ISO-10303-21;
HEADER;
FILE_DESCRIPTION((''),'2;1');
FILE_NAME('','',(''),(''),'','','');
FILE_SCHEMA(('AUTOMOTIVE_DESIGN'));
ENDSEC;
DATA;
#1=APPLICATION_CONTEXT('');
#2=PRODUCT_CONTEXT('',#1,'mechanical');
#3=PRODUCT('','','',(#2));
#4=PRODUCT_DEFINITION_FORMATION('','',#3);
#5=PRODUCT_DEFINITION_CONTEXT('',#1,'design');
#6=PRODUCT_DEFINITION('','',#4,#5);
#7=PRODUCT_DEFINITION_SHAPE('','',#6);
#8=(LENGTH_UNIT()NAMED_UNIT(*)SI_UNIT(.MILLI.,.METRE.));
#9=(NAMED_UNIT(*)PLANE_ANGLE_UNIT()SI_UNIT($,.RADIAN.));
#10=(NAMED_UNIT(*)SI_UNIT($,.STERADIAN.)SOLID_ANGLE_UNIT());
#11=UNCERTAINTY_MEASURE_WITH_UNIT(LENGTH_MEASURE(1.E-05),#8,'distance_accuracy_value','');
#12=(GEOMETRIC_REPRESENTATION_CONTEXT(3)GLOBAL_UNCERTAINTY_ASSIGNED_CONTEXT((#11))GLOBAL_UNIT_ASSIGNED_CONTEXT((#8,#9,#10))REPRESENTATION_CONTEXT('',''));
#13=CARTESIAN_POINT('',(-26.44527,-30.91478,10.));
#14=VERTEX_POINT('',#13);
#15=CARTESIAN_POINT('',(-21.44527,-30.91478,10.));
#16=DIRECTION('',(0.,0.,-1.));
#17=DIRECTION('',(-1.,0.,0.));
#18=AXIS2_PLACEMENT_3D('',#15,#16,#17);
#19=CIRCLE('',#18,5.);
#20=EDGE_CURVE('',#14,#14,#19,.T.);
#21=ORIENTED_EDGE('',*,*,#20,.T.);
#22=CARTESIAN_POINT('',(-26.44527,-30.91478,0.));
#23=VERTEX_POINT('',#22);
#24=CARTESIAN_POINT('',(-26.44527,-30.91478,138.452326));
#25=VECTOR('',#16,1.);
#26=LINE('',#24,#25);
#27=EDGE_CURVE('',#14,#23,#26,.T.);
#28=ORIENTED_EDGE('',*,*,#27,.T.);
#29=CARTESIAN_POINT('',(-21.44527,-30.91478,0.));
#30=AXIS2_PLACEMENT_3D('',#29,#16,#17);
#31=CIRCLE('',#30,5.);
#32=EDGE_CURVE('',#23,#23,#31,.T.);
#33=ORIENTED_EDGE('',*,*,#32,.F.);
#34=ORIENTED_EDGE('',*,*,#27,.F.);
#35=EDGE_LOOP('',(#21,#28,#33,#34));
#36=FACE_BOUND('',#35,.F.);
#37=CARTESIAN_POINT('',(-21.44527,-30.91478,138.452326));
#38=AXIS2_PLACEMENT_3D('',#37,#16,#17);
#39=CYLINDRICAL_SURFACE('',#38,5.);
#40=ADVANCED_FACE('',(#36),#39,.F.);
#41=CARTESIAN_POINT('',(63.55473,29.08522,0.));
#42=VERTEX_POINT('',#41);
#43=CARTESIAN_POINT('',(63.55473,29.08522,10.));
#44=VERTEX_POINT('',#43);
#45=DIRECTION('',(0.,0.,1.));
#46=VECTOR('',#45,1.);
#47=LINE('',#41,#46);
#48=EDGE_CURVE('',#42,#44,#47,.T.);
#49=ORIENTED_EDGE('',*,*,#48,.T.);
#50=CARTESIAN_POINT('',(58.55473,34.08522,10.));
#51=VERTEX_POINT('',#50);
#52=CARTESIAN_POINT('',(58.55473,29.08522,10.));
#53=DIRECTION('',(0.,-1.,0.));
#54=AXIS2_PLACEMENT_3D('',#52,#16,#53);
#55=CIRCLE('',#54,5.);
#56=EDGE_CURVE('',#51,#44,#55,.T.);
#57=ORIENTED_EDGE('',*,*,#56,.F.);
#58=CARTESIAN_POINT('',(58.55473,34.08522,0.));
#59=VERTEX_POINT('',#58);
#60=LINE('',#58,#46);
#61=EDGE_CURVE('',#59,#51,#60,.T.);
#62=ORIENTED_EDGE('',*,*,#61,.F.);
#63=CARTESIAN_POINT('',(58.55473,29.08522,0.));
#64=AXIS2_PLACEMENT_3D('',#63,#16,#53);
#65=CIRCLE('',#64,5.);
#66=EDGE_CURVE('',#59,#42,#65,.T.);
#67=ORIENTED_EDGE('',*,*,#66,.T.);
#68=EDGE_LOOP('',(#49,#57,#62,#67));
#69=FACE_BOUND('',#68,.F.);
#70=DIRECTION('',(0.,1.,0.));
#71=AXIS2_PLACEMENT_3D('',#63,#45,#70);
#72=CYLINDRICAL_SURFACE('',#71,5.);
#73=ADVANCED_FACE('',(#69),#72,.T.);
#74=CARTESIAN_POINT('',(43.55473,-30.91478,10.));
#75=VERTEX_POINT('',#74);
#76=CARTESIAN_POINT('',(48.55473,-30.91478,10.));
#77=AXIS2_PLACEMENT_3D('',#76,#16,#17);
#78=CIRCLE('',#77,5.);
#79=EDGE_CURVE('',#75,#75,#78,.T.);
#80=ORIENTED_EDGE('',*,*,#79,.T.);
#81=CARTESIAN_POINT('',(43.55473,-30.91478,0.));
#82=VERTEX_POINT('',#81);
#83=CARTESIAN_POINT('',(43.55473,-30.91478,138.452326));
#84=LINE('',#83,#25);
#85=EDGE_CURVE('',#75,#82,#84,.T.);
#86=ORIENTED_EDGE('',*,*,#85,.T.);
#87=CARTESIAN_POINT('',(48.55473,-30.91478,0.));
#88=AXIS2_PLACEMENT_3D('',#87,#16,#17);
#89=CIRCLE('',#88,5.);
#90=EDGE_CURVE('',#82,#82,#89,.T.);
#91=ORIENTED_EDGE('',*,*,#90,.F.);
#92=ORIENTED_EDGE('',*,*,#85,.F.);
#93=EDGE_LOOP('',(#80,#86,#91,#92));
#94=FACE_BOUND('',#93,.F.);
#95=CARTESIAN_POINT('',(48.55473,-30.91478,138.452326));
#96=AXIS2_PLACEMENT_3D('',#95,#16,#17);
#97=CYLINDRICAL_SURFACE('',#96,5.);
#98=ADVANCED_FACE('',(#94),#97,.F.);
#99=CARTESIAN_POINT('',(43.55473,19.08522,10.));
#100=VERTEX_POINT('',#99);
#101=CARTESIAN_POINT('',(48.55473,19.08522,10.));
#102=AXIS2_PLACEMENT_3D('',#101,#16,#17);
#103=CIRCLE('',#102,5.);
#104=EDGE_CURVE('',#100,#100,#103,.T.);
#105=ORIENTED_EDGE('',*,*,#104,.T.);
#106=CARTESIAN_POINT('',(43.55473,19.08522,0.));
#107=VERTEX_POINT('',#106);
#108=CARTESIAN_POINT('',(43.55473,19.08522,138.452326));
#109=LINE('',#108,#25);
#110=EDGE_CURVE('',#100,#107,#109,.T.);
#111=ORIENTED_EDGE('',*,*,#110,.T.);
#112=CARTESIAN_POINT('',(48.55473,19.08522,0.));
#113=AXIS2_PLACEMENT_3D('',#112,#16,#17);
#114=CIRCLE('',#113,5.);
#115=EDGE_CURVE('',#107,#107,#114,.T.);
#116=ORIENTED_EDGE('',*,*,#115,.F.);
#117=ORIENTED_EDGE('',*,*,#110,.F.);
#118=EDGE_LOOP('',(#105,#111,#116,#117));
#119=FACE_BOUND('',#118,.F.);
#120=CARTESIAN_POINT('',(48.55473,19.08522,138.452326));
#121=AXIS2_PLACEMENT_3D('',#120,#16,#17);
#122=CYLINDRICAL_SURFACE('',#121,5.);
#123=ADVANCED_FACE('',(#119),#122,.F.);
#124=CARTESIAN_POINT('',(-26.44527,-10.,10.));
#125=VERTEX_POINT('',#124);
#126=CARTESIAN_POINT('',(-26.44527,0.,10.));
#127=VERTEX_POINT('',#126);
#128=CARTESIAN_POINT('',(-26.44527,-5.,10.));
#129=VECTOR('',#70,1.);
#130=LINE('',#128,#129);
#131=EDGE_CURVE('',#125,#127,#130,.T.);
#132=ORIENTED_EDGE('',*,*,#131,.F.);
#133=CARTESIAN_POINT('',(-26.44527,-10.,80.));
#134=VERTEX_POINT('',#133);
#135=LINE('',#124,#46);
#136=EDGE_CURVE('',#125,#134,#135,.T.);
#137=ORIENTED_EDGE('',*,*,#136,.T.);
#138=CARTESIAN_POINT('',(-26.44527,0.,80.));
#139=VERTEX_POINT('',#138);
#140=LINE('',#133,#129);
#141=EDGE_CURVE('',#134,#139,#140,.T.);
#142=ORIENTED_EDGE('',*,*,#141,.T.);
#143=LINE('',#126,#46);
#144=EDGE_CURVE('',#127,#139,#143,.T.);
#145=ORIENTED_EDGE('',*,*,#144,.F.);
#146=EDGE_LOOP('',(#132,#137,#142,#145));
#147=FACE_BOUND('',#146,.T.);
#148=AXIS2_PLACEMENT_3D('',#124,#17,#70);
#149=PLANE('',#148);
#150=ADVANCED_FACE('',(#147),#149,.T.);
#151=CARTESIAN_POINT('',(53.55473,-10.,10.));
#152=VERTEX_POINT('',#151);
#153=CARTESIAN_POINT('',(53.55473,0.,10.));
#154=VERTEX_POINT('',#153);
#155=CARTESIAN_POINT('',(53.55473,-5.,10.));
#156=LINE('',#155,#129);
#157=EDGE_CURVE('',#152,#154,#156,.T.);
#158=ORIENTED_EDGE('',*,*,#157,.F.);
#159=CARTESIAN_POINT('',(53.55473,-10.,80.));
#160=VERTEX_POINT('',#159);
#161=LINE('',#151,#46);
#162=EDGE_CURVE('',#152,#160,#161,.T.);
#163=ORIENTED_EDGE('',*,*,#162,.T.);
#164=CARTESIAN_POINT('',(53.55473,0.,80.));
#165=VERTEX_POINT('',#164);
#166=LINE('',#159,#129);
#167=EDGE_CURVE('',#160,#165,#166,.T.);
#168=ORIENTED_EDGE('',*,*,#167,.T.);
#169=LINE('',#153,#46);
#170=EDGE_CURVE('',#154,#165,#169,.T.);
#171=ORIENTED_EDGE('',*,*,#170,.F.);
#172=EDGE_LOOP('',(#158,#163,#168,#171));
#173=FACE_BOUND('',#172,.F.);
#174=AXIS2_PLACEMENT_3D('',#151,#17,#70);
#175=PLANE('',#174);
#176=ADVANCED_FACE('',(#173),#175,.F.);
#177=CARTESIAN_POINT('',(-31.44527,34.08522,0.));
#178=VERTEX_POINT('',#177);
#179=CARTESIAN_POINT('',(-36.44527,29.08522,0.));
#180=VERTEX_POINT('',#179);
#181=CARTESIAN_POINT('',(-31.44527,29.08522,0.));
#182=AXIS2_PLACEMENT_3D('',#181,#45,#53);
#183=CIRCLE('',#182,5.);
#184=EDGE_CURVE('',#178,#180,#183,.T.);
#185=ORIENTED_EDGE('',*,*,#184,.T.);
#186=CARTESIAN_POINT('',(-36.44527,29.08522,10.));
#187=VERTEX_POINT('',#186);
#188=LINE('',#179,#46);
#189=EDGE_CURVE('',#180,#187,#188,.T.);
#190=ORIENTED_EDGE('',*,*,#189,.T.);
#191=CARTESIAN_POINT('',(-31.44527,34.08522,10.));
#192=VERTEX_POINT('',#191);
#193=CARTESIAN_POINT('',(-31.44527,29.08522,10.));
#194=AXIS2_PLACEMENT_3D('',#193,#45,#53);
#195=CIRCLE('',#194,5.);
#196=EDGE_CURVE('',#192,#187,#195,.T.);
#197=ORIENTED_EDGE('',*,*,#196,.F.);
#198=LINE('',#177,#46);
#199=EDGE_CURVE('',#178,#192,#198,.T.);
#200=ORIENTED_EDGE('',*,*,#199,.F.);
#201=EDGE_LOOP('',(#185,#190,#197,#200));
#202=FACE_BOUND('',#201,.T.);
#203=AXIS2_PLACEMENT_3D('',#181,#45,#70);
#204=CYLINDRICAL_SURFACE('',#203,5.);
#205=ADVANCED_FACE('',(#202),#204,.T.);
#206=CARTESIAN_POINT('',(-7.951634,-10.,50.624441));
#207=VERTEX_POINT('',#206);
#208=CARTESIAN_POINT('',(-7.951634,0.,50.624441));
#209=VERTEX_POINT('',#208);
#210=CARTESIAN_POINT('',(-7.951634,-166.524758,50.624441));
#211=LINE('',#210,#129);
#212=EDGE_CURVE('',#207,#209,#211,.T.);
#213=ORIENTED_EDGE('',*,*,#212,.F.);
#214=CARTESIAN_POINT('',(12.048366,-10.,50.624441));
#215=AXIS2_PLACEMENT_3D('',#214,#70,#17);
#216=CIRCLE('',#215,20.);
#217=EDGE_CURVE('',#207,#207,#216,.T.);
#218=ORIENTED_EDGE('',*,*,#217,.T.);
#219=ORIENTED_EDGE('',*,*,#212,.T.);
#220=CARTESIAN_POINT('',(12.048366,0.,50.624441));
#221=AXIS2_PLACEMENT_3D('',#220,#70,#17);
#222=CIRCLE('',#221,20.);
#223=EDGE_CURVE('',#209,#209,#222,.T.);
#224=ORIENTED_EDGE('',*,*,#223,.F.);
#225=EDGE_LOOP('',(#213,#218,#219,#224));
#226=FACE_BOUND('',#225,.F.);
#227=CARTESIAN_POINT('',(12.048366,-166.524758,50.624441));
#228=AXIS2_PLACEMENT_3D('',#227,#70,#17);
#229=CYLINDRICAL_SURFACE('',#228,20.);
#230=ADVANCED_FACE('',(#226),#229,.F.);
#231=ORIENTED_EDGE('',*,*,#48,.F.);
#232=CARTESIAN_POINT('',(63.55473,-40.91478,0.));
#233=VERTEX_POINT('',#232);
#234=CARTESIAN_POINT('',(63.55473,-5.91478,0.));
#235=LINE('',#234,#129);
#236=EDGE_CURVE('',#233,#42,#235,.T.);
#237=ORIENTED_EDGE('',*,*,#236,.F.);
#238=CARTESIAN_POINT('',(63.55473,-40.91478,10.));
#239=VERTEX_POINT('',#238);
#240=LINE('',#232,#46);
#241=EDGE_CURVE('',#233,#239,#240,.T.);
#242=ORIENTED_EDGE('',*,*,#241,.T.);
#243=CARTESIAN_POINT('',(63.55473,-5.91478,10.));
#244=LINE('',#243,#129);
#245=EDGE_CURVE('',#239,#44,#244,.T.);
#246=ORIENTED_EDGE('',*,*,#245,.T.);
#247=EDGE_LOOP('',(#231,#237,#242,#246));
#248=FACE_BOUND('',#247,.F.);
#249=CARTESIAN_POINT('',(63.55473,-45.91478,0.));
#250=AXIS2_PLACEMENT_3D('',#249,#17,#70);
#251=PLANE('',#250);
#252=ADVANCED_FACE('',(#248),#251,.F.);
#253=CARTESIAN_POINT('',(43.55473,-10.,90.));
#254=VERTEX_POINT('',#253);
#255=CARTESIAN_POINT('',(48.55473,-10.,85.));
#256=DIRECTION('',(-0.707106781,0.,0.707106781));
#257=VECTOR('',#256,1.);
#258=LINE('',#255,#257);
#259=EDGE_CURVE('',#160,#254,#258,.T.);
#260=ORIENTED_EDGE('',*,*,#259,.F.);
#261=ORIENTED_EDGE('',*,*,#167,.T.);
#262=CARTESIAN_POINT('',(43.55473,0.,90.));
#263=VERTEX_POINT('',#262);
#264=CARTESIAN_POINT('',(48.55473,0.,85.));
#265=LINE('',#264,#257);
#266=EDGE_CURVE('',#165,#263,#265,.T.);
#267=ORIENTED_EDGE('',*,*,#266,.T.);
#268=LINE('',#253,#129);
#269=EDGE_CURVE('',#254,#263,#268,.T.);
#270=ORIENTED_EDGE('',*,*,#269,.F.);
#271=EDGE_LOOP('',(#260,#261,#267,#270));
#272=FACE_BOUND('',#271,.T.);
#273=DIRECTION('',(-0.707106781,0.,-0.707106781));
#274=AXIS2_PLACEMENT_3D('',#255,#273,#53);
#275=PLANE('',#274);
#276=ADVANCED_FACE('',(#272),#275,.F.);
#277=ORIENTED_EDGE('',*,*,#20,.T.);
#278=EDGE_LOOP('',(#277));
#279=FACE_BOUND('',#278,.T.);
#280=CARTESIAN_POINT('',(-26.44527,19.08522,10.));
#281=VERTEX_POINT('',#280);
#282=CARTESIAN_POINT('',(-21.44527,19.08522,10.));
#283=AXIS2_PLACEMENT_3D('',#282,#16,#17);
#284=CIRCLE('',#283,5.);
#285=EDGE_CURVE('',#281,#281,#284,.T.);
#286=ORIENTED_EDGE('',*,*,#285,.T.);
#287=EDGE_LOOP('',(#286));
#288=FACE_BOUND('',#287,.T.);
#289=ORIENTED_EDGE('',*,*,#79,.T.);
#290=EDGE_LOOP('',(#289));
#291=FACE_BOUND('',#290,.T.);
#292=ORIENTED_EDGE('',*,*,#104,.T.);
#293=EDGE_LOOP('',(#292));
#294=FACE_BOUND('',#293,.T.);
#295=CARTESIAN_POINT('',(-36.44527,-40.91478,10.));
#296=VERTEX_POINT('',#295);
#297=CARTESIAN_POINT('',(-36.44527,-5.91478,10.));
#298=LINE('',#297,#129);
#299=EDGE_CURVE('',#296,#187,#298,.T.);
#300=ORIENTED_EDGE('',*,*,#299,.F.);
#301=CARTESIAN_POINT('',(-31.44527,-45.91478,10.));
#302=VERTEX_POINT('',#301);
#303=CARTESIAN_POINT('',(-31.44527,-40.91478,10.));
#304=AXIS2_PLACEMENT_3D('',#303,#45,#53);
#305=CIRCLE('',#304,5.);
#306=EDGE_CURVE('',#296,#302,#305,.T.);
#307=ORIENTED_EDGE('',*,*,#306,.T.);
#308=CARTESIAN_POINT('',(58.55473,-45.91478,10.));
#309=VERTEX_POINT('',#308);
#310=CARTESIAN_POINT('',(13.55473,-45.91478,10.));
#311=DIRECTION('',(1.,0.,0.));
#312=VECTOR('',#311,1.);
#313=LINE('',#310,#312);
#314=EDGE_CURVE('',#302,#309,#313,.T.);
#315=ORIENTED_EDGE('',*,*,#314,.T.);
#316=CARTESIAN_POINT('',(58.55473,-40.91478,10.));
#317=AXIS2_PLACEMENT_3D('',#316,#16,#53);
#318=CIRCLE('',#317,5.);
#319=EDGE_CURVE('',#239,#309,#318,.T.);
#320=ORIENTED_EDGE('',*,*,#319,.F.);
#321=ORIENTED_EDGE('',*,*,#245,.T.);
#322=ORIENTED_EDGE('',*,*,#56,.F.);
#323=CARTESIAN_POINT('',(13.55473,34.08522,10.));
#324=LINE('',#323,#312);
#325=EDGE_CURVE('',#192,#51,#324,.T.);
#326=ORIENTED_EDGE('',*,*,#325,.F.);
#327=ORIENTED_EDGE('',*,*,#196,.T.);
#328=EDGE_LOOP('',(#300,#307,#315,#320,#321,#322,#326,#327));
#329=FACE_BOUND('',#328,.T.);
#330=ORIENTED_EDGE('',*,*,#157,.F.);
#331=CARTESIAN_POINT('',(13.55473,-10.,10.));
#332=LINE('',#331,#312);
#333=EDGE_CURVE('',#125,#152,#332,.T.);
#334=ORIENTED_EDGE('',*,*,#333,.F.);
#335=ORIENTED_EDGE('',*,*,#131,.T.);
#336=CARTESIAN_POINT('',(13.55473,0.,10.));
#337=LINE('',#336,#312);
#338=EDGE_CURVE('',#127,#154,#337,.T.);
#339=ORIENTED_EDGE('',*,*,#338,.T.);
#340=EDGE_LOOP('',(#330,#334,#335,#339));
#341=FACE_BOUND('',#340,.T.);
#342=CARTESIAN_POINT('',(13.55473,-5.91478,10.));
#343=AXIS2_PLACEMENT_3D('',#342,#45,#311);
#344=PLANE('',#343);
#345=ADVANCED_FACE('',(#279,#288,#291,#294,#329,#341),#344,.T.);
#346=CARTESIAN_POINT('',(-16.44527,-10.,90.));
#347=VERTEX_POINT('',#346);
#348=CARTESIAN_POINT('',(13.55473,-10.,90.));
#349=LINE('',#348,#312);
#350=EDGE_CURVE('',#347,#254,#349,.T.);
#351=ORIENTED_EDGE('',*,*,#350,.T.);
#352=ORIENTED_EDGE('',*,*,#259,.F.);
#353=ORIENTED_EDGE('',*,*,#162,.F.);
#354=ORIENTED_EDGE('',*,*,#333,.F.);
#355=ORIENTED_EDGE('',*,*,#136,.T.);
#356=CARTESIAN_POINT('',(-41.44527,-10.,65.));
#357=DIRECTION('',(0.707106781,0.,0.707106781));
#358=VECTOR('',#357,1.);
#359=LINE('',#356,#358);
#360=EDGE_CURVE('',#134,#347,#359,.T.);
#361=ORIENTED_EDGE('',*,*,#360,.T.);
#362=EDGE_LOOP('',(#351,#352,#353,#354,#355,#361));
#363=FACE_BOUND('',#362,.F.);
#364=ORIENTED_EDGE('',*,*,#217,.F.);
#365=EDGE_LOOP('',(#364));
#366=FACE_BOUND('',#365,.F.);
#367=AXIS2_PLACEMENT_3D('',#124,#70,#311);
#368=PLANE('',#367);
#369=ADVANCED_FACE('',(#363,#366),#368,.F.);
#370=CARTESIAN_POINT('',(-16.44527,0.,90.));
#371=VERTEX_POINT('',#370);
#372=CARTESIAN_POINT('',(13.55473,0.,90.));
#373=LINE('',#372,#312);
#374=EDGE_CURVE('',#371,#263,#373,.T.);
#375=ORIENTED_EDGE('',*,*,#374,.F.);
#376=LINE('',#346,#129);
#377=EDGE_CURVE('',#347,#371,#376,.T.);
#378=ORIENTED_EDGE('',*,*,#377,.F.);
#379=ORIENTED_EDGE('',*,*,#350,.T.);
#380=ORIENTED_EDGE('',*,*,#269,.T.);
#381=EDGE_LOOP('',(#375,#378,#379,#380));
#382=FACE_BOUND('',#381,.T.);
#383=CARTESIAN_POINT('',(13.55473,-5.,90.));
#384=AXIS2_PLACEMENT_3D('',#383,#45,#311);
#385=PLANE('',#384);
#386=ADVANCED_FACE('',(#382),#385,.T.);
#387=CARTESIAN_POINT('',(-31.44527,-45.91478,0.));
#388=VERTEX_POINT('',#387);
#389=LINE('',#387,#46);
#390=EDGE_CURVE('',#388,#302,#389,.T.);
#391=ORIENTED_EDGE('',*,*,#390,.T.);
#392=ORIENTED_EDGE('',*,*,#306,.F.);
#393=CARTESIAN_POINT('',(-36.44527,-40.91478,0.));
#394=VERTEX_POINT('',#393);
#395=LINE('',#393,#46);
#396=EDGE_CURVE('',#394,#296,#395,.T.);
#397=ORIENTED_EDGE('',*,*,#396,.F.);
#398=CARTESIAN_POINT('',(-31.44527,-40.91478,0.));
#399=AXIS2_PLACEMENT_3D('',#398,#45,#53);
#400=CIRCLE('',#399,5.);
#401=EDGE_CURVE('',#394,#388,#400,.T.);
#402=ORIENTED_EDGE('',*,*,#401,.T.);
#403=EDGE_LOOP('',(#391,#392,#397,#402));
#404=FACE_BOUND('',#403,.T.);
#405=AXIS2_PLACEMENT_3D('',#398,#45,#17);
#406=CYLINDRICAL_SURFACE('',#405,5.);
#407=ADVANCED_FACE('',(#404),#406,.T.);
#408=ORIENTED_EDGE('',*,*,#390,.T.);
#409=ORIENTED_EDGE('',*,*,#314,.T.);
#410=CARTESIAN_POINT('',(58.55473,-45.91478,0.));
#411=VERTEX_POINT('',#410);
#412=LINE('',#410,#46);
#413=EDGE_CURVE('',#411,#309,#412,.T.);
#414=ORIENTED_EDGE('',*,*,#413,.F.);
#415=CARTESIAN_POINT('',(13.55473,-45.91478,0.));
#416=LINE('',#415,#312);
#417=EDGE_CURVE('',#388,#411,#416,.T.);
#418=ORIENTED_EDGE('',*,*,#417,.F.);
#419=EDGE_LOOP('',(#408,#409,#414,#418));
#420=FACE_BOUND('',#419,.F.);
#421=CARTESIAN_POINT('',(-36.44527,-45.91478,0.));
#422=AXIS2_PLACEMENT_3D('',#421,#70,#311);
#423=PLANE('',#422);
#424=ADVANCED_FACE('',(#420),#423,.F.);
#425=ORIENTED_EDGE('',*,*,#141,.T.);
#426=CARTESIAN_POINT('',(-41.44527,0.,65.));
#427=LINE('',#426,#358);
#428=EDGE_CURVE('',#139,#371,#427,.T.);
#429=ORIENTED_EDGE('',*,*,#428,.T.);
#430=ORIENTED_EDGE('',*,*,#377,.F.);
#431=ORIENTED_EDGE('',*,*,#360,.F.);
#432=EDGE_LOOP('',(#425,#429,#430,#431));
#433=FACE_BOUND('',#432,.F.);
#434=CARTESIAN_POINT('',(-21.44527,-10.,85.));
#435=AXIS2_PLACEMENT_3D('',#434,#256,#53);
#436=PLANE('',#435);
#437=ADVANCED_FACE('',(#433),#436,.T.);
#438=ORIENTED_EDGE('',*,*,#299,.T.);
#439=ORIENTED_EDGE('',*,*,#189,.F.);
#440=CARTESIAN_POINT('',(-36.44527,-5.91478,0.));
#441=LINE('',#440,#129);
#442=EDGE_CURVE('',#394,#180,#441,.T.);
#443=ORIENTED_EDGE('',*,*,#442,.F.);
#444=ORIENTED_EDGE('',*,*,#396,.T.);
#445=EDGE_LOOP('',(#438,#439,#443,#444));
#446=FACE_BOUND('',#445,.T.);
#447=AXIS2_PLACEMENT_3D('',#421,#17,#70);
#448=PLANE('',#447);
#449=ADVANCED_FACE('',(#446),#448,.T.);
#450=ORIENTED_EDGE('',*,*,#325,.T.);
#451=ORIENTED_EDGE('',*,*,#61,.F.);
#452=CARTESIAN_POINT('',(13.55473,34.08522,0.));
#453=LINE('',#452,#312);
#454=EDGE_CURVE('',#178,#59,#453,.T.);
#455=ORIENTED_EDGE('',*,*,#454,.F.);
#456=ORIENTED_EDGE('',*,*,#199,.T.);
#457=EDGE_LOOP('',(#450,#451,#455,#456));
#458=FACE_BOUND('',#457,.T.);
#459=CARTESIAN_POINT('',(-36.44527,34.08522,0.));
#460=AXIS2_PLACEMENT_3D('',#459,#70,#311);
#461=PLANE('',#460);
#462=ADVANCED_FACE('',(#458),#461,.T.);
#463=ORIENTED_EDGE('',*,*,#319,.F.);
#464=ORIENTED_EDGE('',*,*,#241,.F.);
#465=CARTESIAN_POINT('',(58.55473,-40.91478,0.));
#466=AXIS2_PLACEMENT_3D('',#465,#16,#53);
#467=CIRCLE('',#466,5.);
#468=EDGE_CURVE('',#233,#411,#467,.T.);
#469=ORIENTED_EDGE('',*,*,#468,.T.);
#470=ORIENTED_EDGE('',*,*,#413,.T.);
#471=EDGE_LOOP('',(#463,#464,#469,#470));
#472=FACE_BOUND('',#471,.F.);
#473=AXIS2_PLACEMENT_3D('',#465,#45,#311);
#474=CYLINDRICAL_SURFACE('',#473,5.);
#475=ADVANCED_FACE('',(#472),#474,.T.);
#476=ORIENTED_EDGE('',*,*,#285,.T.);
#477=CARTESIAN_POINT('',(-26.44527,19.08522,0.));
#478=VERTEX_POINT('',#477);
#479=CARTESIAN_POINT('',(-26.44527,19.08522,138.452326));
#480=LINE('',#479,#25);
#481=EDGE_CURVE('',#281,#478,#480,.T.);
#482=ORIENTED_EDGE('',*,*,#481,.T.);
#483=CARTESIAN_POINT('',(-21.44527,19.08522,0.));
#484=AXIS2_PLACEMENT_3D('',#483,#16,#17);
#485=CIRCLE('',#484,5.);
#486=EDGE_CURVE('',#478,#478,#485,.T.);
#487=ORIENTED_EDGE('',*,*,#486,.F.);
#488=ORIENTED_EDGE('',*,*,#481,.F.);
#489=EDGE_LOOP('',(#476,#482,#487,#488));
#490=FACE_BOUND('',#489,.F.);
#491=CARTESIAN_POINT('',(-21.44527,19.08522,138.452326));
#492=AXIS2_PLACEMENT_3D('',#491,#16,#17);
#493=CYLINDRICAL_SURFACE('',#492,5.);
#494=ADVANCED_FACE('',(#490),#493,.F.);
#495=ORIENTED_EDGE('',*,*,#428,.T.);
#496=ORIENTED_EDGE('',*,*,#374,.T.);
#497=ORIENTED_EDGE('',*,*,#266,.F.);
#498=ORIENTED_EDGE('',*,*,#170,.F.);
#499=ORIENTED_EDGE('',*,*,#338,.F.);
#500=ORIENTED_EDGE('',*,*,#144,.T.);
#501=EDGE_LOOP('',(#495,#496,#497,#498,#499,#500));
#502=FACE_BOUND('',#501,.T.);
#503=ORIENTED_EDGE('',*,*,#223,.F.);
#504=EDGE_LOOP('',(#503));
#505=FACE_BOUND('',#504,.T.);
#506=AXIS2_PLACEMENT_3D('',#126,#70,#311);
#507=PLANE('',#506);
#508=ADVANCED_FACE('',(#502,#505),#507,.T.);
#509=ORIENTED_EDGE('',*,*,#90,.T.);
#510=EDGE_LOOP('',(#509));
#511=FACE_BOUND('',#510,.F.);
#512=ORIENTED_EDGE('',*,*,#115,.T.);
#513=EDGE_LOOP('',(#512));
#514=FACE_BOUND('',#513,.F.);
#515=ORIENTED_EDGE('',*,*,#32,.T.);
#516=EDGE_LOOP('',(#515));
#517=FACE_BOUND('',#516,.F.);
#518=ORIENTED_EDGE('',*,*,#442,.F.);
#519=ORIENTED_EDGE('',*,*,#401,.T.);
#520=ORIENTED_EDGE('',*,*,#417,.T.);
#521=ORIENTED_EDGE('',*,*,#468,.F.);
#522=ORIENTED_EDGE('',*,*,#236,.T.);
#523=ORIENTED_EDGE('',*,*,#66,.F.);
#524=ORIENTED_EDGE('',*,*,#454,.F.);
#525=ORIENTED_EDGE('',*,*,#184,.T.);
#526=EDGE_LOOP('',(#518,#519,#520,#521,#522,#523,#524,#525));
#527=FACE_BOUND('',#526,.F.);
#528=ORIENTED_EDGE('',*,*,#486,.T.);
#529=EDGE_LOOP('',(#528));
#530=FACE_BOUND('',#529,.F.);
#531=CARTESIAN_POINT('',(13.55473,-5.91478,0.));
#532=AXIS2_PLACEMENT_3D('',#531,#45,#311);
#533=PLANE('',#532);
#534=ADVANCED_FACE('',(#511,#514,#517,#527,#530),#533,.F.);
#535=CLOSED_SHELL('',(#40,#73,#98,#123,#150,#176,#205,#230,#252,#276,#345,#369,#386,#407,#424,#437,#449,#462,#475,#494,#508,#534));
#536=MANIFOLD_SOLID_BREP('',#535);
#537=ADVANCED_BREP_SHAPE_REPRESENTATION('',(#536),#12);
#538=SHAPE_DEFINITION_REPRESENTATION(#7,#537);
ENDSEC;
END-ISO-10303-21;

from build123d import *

# Parameters (mm, degrees)
F0_W     = 100
F0_H     = 80
F1_DEPTH = 10
F3_D     = 10
F4_R     = 5
F5_R     = 5
F6_W     = 80
F6_H     = 10
F7_DEPTH = 80
F8_SIZE  = 10
F10_D    = 40


with BuildPart() as f1:
    # F0 (on Top) → F1 (new body)
    with BuildSketch(Plane.XY):
        with Locations((13.55473, -5.91478)):
            Rectangle(F0_W, F0_H)
    extrude(amount=F1_DEPTH)

    # F3 (through all)
    with Locations(Plane.XY.offset(10)):
        with Locations((-21.44527, -30.91478), (-21.44527, 19.08522), (48.55473, 19.08522), (48.55473, -30.91478)):
            Hole(F3_D / 2)

    # F4
    f4_edges = [f1.edges().sort_by_distance(p)[0] for p in [
        (63.55473, 34.08522, 5),
    ]]
    fillet(f4_edges, radius=F4_R)

    # F5
    f5_edges = [f1.edges().sort_by_distance(p)[0] for p in [
        (63.55473, -45.91478, 5),
        (-36.44527, -45.91478, 5),
        (-36.44527, 34.08522, 5),
    ]]
    fillet(f5_edges, radius=F5_R)

    # F6 (on face) → F7 (join)
    with BuildSketch(Plane.XY.offset(10)):
        with Locations((13.55473, -5)):
            Rectangle(F6_W, F6_H)
    extrude(amount=F7_DEPTH)

    # F8
    f8_edges = [f1.edges().sort_by_distance(p)[0] for p in [
        (53.55473, -5, 90),
        (-26.44527, -5, 90),
    ]]
    chamfer(f8_edges, length=F8_SIZE)

    # F10 (through all)
    with Locations(Plane.XZ.offset(10)):
        with Locations((12.048366, 50.624441)):
            Hole(F10_D / 2)


solid = f1.part
